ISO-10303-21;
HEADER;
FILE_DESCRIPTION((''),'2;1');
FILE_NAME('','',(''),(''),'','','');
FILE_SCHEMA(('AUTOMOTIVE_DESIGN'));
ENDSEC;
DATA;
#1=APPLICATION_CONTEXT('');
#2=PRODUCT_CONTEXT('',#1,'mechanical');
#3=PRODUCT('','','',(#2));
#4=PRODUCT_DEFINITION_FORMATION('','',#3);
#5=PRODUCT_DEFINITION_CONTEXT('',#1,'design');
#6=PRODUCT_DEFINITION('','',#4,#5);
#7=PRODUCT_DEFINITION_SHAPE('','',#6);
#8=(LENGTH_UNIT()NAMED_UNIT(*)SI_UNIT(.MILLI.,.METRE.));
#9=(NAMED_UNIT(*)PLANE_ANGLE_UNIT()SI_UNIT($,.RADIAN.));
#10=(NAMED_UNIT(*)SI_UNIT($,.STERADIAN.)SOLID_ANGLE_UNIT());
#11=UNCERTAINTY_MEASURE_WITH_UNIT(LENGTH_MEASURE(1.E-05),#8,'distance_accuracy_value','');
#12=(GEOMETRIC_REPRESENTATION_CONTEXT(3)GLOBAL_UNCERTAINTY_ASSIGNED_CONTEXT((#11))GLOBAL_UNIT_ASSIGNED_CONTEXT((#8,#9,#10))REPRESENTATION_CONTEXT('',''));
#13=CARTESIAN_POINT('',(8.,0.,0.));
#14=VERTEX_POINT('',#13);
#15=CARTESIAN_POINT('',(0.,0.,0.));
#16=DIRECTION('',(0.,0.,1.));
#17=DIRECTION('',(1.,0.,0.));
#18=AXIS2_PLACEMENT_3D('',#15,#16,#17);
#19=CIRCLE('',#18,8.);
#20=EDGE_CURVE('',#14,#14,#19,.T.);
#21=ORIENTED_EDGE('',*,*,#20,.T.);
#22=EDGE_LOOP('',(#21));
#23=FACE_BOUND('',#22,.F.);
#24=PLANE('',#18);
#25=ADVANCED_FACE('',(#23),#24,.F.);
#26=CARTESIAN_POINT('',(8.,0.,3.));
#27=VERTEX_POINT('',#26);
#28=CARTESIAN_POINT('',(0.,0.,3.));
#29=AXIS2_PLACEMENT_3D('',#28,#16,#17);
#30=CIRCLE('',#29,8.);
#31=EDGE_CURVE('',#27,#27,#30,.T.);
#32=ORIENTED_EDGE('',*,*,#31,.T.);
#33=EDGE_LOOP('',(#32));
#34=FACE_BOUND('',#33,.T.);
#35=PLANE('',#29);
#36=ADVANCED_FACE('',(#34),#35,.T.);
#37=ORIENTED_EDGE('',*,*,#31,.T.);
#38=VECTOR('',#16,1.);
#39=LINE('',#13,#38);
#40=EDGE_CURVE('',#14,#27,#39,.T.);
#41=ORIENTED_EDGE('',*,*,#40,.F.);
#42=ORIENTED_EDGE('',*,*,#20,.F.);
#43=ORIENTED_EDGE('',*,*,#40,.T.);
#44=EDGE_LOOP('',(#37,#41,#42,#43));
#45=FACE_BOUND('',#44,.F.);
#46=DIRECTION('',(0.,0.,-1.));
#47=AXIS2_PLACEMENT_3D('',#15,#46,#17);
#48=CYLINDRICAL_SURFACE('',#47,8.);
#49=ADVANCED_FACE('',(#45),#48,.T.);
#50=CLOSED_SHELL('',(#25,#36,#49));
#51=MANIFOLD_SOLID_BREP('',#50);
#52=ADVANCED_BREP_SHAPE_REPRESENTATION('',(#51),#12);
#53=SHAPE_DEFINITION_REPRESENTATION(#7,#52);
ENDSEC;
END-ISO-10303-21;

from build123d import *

# Parameters (mm, degrees)
SKETCH1_R           = 8
BOSS_EXTRUDE1_DEPTH = 3


with BuildPart() as part:
    # Sketch1 → Boss-Extrude1 (new body)
    with BuildSketch(Plane.XY):
        Circle(SKETCH1_R)
    extrude(amount=BOSS_EXTRUDE1_DEPTH)


solid = part.part
